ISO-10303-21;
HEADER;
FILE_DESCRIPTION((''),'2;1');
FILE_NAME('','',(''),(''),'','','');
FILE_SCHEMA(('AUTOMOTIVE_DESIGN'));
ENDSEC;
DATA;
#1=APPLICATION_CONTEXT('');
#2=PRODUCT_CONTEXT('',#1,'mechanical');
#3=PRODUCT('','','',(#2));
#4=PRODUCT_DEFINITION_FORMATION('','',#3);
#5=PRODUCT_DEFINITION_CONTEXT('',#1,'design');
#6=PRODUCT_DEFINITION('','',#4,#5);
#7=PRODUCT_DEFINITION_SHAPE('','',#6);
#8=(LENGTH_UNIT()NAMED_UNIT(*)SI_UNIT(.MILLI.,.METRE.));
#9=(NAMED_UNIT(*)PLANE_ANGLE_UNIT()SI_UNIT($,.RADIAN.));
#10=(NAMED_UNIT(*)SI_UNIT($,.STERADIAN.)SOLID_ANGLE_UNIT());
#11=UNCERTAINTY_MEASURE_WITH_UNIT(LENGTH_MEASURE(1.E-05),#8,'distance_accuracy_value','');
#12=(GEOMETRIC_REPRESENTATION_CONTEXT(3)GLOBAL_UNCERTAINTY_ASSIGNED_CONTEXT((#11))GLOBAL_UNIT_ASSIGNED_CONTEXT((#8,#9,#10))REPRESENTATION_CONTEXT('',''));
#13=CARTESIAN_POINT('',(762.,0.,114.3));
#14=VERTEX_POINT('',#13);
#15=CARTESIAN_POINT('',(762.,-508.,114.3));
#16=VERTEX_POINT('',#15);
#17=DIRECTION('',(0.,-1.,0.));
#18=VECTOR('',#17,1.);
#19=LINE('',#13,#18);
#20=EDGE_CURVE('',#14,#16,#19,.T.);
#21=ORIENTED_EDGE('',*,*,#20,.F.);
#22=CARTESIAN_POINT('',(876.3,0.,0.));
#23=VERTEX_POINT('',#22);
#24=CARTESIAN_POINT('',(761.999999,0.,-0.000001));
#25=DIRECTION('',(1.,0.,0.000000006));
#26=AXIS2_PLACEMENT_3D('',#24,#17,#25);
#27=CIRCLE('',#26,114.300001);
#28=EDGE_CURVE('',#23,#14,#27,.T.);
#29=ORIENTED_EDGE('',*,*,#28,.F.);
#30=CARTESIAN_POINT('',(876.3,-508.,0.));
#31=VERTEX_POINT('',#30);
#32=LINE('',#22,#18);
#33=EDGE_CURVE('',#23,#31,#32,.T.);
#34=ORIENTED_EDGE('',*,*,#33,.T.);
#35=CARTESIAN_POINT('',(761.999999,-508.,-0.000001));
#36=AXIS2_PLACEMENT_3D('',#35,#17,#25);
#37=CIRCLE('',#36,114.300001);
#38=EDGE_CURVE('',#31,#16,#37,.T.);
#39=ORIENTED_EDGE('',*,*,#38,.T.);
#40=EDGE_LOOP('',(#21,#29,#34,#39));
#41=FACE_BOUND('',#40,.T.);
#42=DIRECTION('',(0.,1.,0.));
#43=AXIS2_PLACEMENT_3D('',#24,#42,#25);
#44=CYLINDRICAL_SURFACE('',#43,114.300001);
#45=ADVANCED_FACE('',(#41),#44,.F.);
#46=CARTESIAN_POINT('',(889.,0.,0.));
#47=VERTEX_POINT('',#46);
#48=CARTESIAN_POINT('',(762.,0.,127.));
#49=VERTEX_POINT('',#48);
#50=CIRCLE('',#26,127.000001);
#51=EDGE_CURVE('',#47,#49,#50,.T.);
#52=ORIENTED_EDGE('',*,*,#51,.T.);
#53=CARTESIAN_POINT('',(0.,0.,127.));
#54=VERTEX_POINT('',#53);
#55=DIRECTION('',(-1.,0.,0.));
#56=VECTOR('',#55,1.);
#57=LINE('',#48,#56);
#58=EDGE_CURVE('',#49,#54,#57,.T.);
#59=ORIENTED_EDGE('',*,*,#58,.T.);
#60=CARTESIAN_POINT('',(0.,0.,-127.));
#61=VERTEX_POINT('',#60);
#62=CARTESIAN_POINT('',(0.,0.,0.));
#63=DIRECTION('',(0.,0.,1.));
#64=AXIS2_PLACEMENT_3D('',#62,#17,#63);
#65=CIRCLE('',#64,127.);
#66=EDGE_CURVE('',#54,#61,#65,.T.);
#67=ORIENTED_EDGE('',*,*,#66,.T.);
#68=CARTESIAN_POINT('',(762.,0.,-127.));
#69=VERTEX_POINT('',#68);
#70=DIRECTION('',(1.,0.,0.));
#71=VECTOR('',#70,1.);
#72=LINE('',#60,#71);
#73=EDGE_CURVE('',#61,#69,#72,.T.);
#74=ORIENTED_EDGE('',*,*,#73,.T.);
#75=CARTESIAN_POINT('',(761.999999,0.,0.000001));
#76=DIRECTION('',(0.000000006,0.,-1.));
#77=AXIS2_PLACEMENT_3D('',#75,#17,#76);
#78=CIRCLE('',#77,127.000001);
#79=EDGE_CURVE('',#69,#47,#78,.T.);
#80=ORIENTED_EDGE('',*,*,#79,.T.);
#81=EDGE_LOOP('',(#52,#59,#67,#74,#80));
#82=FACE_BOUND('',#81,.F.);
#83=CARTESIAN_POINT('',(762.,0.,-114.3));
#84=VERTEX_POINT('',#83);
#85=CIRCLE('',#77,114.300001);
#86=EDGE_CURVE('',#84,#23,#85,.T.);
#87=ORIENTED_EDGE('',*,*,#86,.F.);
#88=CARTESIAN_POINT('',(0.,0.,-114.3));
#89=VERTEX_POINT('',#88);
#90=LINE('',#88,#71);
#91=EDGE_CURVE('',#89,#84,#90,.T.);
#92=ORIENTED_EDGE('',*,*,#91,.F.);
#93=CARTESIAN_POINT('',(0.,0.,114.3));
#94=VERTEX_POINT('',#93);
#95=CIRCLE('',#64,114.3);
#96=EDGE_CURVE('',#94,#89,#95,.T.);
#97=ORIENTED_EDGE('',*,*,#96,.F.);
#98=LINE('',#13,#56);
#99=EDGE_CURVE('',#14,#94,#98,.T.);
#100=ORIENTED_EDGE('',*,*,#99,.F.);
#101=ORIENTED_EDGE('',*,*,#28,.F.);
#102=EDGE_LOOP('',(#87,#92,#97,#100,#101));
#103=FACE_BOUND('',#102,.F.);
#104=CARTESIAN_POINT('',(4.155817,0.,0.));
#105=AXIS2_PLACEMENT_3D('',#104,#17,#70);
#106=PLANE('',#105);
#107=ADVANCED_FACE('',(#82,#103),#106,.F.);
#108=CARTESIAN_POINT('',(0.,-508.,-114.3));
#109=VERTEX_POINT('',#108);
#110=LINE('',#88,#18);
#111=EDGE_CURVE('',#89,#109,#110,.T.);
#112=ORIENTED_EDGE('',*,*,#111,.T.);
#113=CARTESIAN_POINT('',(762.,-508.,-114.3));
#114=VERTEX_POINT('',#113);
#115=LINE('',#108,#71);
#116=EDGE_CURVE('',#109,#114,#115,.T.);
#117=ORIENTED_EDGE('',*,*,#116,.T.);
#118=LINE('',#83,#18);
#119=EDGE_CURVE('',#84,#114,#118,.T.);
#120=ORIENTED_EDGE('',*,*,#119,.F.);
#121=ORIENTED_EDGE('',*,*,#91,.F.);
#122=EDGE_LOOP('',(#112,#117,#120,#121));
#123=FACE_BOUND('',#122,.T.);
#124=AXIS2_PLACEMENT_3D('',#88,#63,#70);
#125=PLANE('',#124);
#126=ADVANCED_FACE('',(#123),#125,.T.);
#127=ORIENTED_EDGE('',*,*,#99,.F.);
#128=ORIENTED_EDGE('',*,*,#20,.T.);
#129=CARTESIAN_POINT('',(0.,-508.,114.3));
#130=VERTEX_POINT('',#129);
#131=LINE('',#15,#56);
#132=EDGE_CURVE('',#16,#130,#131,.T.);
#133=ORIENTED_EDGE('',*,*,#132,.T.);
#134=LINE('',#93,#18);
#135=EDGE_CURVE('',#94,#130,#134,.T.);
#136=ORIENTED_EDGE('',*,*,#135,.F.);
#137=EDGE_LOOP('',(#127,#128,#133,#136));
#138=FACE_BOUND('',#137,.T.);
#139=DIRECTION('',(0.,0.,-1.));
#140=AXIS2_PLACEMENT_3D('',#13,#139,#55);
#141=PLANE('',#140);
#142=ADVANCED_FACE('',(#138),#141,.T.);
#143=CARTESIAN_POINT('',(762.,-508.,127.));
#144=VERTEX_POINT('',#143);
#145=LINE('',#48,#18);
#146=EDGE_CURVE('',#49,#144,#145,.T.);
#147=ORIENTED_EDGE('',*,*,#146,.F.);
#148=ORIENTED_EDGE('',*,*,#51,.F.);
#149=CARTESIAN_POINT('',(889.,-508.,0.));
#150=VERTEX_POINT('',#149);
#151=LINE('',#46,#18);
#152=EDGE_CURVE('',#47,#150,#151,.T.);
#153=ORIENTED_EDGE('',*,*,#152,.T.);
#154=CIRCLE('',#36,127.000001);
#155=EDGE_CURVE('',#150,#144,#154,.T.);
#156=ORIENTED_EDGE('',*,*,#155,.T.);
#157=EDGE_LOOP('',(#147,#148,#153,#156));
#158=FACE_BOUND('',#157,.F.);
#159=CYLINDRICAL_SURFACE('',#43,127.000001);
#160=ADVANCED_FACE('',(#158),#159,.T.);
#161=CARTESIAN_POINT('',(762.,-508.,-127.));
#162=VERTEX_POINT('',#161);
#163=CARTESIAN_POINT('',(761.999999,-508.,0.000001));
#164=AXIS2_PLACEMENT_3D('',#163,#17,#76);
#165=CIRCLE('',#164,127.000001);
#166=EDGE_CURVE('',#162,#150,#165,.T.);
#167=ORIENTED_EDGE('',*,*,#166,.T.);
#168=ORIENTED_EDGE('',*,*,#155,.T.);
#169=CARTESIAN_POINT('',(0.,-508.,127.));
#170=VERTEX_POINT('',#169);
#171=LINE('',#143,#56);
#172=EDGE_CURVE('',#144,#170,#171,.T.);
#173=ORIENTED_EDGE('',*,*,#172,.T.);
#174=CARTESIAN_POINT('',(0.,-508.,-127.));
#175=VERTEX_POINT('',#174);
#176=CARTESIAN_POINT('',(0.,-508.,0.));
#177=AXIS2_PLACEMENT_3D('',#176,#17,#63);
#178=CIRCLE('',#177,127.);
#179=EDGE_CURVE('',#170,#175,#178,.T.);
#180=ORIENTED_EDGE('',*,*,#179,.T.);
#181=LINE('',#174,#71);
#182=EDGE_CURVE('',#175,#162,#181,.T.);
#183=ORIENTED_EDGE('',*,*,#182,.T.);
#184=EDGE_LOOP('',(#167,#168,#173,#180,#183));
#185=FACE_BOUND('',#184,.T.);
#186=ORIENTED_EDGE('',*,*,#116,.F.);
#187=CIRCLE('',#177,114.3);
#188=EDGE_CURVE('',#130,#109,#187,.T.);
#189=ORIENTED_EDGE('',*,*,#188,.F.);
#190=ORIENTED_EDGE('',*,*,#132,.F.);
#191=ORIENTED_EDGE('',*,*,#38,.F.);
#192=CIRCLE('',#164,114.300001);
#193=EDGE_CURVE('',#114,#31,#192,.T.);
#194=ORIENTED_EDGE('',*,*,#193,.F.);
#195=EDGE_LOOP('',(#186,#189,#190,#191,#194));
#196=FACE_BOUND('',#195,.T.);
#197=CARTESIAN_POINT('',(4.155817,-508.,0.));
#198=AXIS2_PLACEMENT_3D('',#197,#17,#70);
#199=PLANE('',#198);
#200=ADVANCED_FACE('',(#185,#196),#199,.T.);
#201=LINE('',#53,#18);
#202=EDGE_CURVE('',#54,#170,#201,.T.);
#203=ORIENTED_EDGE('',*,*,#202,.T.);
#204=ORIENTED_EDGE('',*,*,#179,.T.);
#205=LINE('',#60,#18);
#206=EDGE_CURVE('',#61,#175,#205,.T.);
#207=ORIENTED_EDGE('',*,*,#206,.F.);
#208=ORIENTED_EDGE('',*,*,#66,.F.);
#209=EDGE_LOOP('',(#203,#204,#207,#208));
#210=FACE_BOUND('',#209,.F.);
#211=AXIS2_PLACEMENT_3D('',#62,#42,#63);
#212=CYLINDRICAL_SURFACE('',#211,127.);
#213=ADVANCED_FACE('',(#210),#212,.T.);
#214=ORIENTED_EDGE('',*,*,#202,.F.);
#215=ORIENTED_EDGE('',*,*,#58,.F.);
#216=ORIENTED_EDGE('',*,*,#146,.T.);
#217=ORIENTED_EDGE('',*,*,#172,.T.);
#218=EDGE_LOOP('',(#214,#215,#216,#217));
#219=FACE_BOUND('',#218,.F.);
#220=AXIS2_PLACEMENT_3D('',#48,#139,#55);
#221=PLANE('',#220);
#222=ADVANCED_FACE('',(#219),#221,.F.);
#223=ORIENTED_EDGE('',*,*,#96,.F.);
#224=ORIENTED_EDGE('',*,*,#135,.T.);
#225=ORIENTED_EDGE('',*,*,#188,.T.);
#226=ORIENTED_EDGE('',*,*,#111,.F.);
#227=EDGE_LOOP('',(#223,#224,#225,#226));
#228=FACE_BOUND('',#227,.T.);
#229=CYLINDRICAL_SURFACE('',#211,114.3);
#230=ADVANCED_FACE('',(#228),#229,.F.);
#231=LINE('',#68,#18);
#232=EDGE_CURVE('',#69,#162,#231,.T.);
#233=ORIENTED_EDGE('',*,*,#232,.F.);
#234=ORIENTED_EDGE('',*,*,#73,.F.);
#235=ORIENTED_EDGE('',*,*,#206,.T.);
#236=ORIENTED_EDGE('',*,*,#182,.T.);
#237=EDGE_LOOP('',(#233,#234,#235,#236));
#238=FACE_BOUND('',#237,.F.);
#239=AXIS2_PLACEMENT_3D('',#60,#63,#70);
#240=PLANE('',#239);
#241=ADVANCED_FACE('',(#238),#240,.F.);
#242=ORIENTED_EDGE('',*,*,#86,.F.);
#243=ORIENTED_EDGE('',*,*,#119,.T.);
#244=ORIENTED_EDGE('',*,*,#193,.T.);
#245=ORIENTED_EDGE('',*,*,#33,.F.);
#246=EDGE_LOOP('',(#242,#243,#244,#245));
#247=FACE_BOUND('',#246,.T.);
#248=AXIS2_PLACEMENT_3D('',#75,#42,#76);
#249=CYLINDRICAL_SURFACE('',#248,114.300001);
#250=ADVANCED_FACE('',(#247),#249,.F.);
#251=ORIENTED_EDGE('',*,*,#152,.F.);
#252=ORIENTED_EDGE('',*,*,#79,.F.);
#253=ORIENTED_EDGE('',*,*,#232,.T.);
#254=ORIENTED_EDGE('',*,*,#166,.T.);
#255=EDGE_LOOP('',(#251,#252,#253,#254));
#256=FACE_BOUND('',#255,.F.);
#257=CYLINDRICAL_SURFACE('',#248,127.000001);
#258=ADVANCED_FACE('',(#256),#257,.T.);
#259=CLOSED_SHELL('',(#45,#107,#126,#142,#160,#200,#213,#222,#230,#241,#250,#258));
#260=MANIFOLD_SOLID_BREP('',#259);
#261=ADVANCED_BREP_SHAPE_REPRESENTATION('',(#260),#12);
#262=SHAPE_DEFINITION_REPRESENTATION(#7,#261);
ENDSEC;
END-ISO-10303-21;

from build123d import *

# Parameters (mm, degrees)
F1_DEPTH = 508
F2_T     = -12.7


with BuildPart() as f1:
    # F0 (on Front) → F1 (new body)
    with BuildSketch(Plane.XZ):
        with BuildLine():
            ThreePointArc((0, -127), (89.802561, -89.802561), (127, 0))
            ThreePointArc((127, 0), (89.802561, 89.802561), (0, 127))
            ThreePointArc((0, 127), (-127, 0), (0, -127))
        make_face()
        with BuildLine():
            ThreePointArc((0, 127), (89.802561, 89.802561), (127, 0))
            ThreePointArc((127, 0), (89.802561, -89.802561), (0, -127))
            Line((0, -127), (762, -127))
            ThreePointArc((762, -127), (635, 0), (762, 127))
            Line((762, 127), (0, 127))
        make_face()
        with BuildLine():
            ThreePointArc((889, 0), (851.802561, 89.802561), (762, 127))
            ThreePointArc((762, 127), (635, 0), (762, -127))
            ThreePointArc((762, -127), (851.802561, -89.802561), (889, 0))
        make_face()
    extrude(amount=F1_DEPTH)

    # F2
    f2_openings = [f1.faces().sort_by_distance(p)[0] for p in [
        (381, -508, 0),
        (381, 0, 0),
    ]]
    offset(amount=F2_T, openings=f2_openings)


solid = f1.part
